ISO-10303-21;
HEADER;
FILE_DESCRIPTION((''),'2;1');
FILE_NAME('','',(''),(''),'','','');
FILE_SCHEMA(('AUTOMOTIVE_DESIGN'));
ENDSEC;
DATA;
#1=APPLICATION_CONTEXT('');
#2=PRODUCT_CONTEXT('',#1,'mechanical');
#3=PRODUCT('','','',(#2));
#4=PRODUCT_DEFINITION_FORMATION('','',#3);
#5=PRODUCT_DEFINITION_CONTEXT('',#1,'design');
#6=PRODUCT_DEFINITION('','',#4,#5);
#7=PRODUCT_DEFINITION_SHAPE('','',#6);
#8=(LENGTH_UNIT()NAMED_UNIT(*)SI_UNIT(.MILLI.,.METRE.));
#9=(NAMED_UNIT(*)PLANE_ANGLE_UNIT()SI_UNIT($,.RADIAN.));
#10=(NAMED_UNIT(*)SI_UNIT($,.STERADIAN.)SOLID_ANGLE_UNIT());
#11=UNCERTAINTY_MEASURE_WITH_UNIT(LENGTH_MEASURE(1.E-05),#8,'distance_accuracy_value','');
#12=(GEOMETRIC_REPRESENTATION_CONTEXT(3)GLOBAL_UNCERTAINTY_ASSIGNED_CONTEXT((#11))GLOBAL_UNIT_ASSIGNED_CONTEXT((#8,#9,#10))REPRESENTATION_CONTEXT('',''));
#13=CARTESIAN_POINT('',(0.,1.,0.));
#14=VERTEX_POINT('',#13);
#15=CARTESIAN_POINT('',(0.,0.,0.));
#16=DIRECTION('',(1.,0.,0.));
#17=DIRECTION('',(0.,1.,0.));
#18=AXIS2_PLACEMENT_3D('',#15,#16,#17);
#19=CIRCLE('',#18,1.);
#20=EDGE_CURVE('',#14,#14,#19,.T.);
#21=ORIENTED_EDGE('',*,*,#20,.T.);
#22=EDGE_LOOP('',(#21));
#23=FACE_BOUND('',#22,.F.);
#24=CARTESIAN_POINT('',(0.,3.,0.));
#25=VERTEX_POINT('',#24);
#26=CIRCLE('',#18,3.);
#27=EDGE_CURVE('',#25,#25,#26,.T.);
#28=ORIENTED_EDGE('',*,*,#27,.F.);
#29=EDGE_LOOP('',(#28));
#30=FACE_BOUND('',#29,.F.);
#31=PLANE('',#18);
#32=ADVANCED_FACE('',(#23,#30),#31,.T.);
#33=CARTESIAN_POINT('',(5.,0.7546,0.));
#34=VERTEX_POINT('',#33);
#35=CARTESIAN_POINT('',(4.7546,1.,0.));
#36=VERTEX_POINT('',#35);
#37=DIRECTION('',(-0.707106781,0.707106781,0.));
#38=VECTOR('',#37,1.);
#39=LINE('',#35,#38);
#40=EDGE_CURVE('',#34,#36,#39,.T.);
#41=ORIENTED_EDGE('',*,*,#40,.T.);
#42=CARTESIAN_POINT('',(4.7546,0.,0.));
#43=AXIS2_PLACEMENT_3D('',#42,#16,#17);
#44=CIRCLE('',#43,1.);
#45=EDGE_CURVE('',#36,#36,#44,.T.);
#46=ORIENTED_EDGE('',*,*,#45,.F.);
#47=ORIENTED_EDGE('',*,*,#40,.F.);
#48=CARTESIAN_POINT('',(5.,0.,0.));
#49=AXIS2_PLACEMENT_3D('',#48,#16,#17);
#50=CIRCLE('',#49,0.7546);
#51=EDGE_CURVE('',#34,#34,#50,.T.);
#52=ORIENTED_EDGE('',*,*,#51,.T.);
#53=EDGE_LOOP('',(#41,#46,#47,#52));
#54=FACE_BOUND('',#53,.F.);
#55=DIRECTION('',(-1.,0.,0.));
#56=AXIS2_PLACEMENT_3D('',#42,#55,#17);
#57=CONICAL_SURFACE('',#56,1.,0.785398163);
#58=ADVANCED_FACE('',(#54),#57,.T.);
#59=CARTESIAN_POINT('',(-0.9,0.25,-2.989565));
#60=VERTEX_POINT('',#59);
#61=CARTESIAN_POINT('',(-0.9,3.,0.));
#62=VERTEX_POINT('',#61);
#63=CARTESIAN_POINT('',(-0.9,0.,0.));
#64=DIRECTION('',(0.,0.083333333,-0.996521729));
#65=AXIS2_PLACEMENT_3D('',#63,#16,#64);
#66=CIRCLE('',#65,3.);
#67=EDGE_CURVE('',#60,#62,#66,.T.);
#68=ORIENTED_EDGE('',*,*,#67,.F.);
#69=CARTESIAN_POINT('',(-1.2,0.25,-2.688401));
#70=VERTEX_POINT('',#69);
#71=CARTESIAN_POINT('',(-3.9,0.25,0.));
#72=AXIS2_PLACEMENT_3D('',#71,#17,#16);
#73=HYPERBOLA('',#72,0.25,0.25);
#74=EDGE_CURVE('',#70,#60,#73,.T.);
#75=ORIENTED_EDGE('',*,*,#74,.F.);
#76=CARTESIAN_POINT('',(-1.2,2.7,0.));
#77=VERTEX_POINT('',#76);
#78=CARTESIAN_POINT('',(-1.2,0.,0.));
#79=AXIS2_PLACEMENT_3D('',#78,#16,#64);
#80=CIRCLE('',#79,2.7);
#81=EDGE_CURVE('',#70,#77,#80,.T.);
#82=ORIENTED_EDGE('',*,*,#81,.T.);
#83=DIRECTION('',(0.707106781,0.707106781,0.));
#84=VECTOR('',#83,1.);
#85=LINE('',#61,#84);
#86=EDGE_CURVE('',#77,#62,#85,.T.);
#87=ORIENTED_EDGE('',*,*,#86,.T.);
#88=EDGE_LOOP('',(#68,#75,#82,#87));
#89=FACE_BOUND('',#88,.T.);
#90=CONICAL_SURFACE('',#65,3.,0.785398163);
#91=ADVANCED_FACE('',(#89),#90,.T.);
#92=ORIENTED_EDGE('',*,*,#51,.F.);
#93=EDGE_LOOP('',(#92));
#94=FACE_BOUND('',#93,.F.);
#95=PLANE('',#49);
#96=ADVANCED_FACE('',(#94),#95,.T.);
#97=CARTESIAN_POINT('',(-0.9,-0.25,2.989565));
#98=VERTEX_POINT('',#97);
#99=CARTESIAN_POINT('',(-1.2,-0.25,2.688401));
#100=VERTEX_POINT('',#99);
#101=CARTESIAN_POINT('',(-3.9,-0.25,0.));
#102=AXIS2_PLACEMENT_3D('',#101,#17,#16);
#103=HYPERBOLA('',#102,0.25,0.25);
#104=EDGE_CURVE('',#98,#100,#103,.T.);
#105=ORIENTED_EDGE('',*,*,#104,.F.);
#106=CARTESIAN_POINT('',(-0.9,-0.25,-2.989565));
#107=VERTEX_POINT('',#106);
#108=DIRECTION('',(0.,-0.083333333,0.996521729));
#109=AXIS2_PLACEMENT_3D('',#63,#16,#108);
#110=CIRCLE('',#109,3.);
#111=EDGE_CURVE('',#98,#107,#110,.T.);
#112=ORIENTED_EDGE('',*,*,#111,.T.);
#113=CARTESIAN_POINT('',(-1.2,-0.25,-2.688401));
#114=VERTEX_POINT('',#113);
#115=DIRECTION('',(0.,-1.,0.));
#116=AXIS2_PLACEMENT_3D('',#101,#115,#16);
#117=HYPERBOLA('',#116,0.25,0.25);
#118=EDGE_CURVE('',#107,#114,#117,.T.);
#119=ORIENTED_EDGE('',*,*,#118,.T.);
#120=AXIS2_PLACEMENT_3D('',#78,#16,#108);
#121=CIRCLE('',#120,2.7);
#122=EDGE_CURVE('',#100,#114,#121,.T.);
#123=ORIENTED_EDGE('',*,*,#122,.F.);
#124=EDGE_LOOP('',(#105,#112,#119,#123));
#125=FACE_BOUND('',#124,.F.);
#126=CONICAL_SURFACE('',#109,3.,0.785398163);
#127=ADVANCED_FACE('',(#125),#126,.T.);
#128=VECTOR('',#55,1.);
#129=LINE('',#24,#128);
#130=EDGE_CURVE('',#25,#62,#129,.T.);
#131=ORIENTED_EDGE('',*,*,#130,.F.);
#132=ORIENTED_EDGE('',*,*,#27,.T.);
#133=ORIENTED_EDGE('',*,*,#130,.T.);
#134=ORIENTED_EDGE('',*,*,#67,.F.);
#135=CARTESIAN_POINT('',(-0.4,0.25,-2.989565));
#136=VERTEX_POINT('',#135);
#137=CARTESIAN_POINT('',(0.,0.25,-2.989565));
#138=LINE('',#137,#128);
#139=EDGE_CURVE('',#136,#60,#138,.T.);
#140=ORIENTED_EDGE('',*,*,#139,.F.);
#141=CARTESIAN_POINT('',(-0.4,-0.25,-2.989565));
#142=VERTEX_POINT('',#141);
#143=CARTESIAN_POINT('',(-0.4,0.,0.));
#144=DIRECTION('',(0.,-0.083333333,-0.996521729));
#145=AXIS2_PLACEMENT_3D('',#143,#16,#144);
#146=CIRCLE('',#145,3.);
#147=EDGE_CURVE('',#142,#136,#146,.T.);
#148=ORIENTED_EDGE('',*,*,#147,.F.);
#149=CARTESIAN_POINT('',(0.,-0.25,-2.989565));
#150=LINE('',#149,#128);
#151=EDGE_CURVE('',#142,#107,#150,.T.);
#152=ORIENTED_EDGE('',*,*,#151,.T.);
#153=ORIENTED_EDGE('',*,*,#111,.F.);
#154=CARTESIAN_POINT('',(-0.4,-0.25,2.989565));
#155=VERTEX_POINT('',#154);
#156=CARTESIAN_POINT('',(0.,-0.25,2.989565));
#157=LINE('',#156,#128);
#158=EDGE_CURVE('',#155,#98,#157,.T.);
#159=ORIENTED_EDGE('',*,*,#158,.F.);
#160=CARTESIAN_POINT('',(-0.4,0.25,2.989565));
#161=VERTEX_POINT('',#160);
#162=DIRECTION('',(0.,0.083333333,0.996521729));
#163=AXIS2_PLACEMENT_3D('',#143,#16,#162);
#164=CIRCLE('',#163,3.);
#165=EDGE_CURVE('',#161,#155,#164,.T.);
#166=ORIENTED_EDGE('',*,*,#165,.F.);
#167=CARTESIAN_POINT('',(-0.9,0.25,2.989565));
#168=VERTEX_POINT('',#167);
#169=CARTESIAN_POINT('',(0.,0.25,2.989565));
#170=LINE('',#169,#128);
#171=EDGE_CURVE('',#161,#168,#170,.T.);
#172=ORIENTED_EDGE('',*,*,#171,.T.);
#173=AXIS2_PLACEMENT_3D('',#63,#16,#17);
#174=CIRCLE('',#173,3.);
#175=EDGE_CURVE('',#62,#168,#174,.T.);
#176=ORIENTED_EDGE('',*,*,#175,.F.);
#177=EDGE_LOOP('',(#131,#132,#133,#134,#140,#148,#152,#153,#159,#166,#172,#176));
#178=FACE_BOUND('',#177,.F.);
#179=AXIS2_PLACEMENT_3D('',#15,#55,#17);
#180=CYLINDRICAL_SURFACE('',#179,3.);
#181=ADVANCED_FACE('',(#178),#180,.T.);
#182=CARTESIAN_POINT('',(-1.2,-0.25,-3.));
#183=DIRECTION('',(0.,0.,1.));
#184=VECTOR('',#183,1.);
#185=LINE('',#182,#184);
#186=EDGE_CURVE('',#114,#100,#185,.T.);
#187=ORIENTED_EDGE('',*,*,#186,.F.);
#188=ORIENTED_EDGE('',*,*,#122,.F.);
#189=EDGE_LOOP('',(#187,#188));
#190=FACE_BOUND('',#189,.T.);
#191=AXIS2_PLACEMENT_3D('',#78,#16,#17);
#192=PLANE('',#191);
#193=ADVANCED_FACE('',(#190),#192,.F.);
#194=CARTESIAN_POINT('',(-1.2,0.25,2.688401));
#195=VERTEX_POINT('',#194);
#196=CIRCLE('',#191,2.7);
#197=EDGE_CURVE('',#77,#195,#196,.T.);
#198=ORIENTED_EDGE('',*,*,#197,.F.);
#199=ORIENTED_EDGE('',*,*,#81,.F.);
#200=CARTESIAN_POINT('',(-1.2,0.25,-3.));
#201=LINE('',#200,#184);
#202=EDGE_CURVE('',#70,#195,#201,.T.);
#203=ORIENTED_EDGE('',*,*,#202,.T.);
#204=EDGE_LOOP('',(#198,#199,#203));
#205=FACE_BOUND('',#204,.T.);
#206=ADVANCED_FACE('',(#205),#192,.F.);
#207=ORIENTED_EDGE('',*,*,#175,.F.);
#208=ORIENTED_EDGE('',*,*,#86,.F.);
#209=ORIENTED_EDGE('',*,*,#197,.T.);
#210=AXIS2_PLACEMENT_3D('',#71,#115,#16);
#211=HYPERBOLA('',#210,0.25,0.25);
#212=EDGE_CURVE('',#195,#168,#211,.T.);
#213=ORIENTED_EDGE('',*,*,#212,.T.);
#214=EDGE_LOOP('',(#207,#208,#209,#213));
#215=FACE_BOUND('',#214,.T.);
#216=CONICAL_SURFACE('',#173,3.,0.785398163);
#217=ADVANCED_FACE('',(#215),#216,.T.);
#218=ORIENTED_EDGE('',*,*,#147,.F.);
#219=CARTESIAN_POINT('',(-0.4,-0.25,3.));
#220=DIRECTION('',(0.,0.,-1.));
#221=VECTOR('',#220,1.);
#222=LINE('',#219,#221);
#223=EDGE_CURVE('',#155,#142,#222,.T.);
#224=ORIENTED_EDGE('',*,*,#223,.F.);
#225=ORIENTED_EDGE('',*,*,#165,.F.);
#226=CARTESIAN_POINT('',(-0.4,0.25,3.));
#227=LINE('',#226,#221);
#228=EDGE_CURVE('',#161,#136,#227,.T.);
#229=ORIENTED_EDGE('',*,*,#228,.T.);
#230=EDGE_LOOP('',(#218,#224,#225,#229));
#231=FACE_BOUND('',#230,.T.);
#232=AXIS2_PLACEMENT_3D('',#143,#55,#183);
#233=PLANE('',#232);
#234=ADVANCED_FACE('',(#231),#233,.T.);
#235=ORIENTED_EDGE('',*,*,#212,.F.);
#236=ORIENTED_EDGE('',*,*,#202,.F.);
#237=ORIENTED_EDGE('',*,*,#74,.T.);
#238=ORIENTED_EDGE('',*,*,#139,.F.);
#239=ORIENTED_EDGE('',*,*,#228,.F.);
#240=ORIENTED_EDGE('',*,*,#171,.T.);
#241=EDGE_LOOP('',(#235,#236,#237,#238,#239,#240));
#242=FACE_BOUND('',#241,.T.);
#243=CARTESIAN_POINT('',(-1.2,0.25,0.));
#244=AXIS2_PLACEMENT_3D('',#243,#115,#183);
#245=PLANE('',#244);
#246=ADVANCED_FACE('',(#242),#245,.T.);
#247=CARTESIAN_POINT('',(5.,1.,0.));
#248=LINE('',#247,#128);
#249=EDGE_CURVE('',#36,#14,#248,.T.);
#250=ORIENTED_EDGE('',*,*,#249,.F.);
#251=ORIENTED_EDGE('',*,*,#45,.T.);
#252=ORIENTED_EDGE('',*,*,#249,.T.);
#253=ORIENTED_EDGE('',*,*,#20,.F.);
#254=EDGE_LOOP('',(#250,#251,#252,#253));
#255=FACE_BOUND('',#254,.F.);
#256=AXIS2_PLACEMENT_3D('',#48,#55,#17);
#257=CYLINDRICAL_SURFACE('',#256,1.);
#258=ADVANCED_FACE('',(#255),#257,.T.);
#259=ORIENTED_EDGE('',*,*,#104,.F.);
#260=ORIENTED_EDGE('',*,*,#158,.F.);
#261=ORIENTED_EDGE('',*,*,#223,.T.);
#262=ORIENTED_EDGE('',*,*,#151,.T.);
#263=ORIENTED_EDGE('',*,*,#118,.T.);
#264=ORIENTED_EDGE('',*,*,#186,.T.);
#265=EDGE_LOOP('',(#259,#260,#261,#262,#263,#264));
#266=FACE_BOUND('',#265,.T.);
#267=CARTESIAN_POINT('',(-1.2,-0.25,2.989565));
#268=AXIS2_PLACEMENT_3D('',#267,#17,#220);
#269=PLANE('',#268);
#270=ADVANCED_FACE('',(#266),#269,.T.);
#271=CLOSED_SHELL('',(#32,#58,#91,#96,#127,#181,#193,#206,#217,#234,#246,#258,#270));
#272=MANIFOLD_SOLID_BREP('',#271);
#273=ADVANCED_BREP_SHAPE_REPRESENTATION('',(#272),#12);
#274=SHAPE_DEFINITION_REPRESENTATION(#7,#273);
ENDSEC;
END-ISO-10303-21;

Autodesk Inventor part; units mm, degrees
ref_plane "YZ Plane" through (0, 0, 0) normal (1, 0, 0) x (0, 1, 0)
ref_plane "XZ Plane" through (0, 0, 0) normal (0, 1, 0) x (-1, 0, 0)
sketch "Sketch1" plane through (0, 0, 0) normal (0, 0, 1) x (1, 0, 0)
  line L0 (-1.2, 0) -> (5, 0)
  line L1 (5, 0) -> (5, 1)
  line L2 (5, 1) -> (0, 1)
  line L3 (0, 1) -> (0, 3)
  line L4 (0, 3) -> (-1.2, 3)
  line L5 (-2.44, 0) -> (6.24, 0) projected
  line L6 (-1.2, 0) -> (-1.2, 3)
  line L7 (0, -0.6) -> (0, 3.6) projected
  dimension "d0" = 5
  dimension "d1" = 2
  dimension "d2" = 6
  dimension "d15" = 1.2
revolve "Body" add sketch "Sketch1" angle 360 about axis through (-1.2, 0, 0) along (1, 0, 0)
sketch "Sketch2" plane through (-1.2, 0, 0) normal (-1, 0, 0) x (0, 0, 1)
  circle A0 centre (0, 0) radius 3 projected
  line L0 (0, -4.2) -> (0, 4.2) projected
  line L1 (-4.2, 0) -> (4.2, 0) projected
  line L2 (-3, 0.25) -> (3, 0.25)
  line L3 (3, 0.25) -> (3, -0.25)
  line L4 (3, -0.25) -> (-3, -0.25)
  line L5 (-3, -0.25) -> (-3, 0.25)
  line L6 (-3, 0) -> (3, 0) construction
  line L7 (0, 0.25) -> (0, -0.25) construction
  dimension "d10" = 0.5
extrude "Slot" cut sketch "Sketch2" against normal blind 0.8 contours L1 L0 L2 A0 | L3 L4 A0 | A0 L4 L0 L1 | A0 L2 L3 | L1 A0 L2 L0 | L0 L4 A0 L1 | L5 L2 A0 | A0 L4 L5
chamfer "Chamfer1" distance 0.3 angle 45 3 edges at (-1.2, -3, 0) (-1.2, 2.2079, 2.031) (-1.2, 2.2079, -2.031) measured on face at (-0.5333, -0.7686, -2.8999)
thread "Thread" size "M2x0.4" class "6g" standard "ISO Metric profile" length 4.2
chamfer "Chamfer2" distance 0.2454 distance2 0.2454 1 edges at (5, -1, 0) measured on face at (5, 0.5392, -0.3309)
ref_plane "Work Plane1" through (2.5, 0, 0) normal (0, 0, -1) x (1, 0, 0)
equation "\"d0\" = NLG"
equation "\"d1\" = NND"
equation "\"d2\" = KOD"
equation "\"d15\" = KOH"
equation "\"d10\" = SBR"
equation "\"d11\" = STI"
equation "\"d13\" = PHH"
equation "\"d23\" = PHH"
equation "\"d3\" = GEL"
equation "\"d5\" = -0.5 * GD1 + 0.5 * NND"
equation "\"d6\" = GUL"
equation "\"NND\" = 2"
equation "\"NLG\" = 5"
equation "\"GEL\" = NLG - 2 * PTC"
equation "\"KOD\" = 6"
equation "\"KOH\" = 1.2"
equation "\"GUL\" = 0.61345 * PTC"
equation "\"PHH\" = 0.3"
equation "\"SBR\" = 0.5"
equation "\"STI\" = 0.8"
equation "\"GD1\" = THREADDIA - 1.2269 * PTC"
equation "\"THREADDIA\" = 2"
equation "\"TOA\" = 30deg"
equation "\"PTC\" = 0.4"
equation "\"GAL\" = 0.61345 * PTC"
properties part number "DIN 921 - M2 x 5" material "Steel, Mild"
